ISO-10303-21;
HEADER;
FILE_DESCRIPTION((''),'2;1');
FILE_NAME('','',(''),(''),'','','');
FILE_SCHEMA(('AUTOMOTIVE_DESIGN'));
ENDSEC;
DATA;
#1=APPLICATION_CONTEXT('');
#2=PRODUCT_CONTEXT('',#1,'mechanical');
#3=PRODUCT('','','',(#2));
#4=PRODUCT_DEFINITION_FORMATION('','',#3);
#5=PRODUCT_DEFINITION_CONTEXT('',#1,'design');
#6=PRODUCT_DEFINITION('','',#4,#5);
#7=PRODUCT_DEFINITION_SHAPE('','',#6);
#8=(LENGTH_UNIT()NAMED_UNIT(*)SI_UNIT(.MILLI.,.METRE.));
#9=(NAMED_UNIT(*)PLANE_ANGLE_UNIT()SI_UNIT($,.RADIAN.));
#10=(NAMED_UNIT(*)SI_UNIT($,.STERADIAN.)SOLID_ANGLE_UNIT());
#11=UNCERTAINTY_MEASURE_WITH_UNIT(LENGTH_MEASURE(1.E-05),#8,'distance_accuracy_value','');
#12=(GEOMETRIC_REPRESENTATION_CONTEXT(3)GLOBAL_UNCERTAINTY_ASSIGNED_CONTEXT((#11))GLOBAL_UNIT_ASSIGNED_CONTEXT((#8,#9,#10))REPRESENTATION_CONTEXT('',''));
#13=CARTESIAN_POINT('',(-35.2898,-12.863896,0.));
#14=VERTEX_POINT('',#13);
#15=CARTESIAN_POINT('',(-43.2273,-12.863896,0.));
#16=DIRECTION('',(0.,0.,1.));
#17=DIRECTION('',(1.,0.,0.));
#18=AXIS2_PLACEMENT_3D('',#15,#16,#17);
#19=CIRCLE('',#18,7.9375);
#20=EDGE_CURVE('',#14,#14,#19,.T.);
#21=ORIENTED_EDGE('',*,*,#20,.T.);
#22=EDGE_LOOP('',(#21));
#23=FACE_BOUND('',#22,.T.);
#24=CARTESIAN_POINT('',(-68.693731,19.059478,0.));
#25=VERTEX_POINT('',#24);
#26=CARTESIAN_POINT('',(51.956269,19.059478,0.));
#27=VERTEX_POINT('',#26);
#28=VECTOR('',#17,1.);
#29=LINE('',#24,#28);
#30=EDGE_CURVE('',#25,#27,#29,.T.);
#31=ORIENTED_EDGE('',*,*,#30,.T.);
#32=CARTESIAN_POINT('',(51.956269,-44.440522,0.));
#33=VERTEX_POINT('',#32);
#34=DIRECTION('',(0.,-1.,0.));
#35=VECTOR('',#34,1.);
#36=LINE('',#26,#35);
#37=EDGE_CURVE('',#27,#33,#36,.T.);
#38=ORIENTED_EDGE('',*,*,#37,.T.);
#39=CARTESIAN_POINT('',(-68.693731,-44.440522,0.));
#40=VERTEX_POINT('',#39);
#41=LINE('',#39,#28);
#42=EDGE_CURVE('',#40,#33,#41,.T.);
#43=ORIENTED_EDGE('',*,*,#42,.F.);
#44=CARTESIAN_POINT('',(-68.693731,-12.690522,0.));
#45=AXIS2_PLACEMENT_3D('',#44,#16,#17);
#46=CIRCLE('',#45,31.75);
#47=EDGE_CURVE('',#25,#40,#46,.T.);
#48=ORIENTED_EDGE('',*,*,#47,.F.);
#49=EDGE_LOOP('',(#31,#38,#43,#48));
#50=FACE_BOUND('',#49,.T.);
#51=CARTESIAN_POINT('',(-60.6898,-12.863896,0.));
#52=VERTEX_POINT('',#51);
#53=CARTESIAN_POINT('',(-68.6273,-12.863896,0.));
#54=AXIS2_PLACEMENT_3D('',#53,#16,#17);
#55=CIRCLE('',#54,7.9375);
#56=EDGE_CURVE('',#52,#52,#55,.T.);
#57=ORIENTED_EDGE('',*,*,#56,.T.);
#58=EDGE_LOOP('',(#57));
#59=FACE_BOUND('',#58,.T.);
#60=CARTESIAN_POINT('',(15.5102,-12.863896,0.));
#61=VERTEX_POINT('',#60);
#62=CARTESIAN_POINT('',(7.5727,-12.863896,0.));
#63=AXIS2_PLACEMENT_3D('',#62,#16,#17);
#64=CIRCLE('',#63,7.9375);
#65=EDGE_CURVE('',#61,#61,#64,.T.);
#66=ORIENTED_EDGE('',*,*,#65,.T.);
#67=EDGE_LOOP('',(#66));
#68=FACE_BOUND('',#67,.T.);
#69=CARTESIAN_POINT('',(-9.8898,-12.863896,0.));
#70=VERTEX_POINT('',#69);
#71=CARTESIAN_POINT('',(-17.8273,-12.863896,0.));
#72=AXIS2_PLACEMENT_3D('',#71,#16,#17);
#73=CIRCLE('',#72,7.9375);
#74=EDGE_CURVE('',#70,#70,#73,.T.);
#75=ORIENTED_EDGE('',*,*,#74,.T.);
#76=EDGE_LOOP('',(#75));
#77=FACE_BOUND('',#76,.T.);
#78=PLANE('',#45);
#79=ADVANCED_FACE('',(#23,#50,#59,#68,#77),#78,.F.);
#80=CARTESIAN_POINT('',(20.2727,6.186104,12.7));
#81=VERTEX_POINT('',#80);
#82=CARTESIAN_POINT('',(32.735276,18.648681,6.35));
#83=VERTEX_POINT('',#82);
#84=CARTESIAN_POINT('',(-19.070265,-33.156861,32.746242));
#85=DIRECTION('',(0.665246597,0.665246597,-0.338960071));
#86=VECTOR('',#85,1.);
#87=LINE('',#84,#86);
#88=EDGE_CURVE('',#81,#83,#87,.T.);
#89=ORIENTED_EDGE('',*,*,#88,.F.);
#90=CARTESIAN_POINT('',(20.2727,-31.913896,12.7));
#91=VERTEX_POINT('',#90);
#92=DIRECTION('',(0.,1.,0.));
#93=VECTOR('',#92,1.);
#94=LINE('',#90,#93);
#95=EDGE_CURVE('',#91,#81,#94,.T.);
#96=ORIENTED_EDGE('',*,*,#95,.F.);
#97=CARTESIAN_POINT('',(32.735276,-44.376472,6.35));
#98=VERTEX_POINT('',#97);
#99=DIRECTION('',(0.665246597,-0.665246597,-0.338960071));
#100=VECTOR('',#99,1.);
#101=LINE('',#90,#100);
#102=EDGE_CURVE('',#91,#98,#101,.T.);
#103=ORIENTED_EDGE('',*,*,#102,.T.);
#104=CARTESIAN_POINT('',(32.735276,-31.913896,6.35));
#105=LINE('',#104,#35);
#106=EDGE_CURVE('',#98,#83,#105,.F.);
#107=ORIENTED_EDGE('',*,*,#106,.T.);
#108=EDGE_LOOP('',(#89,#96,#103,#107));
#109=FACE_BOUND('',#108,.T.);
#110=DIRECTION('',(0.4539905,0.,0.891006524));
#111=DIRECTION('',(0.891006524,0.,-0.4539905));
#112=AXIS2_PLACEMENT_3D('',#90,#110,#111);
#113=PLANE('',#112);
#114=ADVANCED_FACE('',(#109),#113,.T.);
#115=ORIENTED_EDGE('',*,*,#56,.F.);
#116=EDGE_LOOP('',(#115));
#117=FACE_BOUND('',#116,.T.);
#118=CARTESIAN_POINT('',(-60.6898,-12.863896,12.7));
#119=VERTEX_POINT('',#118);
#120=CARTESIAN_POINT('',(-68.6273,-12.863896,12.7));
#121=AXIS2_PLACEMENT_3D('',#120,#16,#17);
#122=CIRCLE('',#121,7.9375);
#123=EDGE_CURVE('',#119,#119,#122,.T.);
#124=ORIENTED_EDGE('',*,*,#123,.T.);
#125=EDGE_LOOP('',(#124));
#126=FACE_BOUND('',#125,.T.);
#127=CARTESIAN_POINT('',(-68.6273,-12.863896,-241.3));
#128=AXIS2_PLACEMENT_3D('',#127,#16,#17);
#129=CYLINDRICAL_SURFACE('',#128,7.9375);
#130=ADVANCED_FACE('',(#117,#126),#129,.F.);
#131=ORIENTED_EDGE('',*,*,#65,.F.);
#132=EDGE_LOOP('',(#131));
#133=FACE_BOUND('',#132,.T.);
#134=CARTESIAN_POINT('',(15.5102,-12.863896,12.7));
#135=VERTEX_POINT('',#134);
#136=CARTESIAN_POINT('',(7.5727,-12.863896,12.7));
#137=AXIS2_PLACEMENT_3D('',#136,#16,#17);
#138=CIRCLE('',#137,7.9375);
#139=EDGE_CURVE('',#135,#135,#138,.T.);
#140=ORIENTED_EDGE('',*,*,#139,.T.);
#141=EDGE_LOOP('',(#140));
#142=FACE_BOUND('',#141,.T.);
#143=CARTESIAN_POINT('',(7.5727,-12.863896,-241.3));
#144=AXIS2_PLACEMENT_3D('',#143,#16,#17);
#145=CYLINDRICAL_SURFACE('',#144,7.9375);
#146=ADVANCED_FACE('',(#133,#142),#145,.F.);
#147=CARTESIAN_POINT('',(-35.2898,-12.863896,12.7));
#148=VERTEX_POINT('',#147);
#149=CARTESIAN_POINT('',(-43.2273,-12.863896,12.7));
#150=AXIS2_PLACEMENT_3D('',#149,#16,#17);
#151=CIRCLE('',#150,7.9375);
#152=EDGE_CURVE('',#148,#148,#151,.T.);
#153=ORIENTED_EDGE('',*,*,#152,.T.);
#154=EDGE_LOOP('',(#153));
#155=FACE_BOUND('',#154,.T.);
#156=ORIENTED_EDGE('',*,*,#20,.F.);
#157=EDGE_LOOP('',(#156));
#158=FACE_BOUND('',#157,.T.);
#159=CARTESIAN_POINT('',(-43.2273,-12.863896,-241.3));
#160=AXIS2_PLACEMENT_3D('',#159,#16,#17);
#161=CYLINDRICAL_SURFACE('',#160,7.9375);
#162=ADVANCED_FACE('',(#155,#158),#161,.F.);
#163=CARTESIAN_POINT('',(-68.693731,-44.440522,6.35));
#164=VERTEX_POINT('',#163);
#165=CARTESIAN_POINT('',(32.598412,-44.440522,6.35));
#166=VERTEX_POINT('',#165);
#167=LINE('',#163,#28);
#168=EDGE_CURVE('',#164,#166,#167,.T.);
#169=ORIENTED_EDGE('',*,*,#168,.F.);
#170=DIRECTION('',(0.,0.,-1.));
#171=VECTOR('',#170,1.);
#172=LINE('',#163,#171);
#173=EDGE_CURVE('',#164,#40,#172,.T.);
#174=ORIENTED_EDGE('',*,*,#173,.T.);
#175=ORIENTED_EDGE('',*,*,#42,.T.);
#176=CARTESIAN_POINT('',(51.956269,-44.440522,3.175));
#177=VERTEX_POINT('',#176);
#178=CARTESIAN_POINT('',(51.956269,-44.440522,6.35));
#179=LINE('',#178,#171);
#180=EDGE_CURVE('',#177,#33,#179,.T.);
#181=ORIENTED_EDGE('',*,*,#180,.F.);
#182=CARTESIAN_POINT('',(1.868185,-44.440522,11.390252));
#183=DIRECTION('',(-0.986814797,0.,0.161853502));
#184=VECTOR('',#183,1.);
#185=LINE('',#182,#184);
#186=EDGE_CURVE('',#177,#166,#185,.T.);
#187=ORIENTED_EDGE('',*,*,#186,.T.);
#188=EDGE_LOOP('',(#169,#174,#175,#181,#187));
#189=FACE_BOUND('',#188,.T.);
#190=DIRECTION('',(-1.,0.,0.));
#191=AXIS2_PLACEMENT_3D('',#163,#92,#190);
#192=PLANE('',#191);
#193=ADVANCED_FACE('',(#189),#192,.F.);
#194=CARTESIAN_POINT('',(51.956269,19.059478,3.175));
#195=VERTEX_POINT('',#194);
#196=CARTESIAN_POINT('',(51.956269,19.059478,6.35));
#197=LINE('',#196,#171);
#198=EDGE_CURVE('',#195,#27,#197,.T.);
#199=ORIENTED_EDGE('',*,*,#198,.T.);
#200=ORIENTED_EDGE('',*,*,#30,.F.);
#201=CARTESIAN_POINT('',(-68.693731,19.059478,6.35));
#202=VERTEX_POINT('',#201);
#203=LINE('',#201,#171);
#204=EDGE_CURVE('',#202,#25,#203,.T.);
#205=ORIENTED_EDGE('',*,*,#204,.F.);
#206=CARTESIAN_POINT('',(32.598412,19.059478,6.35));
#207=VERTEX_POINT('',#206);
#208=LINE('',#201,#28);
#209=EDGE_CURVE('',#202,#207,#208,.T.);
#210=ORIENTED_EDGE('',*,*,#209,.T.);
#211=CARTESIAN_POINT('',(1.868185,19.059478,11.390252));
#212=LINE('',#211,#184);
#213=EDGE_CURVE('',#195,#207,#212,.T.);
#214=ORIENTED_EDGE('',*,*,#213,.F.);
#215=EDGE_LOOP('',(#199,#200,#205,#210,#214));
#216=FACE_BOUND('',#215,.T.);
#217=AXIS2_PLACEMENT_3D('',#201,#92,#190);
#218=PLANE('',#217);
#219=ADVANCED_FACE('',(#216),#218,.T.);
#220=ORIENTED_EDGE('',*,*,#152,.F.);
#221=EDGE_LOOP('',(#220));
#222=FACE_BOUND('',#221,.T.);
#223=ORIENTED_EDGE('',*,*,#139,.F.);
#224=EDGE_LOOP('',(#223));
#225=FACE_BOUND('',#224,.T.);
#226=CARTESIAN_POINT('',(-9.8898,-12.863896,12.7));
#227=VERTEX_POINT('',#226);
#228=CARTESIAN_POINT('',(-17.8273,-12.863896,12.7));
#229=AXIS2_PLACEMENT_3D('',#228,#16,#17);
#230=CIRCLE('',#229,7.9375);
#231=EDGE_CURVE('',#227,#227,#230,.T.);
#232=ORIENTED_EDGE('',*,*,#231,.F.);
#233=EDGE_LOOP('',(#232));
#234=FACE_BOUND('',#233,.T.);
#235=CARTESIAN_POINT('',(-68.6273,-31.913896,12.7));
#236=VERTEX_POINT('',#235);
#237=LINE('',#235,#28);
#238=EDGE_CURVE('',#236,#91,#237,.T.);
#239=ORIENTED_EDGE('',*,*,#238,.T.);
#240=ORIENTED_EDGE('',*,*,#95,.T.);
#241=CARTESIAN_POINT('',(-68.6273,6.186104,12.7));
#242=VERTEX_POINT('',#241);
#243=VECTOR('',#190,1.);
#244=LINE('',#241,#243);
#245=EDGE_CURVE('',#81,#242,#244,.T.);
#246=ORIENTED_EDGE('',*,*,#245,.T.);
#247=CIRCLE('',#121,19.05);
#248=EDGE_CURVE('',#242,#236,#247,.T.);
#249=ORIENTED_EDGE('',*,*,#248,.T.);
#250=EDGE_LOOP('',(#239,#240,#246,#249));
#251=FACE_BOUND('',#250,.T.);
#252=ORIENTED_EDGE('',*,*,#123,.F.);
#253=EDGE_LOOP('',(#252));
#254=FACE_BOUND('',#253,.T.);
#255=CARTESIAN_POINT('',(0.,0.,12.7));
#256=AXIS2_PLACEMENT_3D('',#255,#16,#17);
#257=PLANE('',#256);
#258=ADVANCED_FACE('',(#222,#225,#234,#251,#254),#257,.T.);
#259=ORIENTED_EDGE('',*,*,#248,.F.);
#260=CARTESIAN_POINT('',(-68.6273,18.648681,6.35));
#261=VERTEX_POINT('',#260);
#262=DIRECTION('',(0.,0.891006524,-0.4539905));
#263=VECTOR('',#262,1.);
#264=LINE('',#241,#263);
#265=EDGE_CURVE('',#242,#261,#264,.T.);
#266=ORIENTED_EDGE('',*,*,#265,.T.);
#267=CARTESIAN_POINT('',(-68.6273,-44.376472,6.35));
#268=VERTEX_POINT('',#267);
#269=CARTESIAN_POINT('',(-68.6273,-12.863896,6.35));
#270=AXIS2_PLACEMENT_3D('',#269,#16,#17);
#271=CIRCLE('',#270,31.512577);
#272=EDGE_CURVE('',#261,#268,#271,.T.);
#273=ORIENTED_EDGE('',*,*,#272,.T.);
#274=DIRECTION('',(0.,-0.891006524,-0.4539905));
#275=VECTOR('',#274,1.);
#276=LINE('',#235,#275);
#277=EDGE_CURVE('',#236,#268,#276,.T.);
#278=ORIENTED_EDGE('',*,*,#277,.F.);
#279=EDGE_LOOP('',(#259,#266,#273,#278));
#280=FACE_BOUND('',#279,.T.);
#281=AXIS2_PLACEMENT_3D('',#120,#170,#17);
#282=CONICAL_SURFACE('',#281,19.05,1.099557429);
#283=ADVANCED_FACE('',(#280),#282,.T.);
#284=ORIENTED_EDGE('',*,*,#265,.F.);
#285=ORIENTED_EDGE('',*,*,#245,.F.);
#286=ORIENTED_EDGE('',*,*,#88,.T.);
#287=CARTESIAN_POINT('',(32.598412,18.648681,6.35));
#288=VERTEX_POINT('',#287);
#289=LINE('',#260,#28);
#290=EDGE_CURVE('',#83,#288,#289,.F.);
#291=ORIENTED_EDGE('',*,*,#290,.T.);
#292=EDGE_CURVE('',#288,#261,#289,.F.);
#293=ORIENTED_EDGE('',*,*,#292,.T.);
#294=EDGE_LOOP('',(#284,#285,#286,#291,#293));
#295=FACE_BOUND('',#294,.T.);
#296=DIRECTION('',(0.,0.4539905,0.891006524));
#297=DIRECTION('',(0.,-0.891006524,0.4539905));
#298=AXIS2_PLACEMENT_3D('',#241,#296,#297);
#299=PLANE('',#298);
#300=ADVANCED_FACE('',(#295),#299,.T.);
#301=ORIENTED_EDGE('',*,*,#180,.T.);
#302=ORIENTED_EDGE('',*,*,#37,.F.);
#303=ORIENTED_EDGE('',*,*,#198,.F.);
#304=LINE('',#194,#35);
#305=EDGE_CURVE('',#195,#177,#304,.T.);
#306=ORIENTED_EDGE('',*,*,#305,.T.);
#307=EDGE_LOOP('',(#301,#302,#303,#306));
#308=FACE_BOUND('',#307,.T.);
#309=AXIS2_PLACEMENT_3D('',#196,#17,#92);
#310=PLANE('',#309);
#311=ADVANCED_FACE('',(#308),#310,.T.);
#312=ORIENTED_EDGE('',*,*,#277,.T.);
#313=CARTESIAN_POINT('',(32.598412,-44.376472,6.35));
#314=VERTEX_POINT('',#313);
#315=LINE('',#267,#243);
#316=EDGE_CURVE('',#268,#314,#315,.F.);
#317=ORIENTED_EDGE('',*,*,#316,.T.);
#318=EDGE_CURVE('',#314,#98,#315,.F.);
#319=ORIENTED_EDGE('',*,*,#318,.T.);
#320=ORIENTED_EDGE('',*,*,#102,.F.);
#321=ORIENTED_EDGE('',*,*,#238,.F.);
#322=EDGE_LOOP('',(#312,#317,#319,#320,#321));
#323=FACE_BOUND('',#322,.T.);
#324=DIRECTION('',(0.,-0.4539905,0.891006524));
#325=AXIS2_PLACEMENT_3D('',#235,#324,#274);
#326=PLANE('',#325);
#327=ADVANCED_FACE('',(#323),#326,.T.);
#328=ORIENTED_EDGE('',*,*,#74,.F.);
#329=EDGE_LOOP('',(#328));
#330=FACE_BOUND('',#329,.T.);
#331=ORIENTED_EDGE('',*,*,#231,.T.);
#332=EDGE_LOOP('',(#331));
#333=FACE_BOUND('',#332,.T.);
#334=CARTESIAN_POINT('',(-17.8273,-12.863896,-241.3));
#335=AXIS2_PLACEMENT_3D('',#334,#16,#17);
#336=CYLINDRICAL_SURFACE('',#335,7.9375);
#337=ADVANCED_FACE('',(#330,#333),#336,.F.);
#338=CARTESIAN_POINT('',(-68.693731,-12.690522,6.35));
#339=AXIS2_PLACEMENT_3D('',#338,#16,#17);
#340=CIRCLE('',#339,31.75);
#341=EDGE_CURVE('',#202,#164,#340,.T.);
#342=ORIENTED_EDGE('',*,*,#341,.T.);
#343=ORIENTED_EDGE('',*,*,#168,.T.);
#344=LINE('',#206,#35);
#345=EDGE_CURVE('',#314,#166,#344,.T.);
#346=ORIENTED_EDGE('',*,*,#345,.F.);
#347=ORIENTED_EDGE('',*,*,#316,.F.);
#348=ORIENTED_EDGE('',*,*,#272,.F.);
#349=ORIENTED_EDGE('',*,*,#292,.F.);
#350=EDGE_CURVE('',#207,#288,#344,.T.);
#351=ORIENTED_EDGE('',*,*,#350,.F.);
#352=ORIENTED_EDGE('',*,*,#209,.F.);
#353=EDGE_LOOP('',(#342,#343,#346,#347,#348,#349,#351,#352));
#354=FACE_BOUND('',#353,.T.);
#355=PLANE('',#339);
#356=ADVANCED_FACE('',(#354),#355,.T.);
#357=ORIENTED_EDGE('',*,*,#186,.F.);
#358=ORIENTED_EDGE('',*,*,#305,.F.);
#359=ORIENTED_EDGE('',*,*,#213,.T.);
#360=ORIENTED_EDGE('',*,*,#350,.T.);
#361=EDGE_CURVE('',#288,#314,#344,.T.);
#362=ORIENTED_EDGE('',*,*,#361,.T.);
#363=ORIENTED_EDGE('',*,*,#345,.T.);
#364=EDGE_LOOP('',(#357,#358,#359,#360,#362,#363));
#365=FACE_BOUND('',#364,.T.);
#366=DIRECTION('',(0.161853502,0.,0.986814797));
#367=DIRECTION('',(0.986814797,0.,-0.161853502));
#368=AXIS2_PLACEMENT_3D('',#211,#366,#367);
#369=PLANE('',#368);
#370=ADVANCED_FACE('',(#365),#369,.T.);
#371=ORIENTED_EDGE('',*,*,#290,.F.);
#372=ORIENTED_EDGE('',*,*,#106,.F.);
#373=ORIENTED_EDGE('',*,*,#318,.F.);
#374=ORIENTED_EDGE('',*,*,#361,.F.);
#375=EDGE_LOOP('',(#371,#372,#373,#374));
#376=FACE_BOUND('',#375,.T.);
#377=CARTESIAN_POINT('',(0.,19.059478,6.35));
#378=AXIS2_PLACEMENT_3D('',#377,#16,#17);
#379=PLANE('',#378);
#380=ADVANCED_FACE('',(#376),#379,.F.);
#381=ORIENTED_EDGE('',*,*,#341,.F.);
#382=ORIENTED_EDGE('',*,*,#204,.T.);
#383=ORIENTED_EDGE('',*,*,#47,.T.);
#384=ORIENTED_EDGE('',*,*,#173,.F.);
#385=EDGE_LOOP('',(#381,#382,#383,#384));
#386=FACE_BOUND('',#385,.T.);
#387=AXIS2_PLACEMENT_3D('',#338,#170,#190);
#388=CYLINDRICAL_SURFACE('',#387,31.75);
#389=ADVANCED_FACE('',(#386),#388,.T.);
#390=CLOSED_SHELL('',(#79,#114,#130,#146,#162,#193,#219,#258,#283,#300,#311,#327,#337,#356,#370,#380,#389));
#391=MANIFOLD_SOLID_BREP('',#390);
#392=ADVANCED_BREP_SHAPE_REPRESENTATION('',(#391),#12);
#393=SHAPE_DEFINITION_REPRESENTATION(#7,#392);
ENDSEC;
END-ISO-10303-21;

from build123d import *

# Parameters (mm, degrees)
BOSS_EXTRUDE1_DEPTH = 6.35
BOSS_EXTRUDE2_DEPTH = 6.35
BOSS_EXTRUDE2_DRAFT = 63
CUT_EXTRUDE1_DEPTH  = 63.5
SKETCH4_R           = 7.9375
CUT_EXTRUDE2_DEPTH  = 254


with BuildPart() as part:
    # Sketch1 → Boss-Extrude1 (new body)
    with BuildSketch(Plane.XY):
        with BuildLine():
            Line((-68.693731343, 19.059477612), (51.956268657, 19.059477612))
            Line((51.956268657, 19.059477612), (51.956268657, -44.440522388))
            Line((51.956268657, -44.440522388), (-68.693731343, -44.440522388))
            ThreePointArc((-68.693731343, -44.440522388), (-100.443731343, -12.690522388), (-68.693731343, 19.059477612))
        make_face()
    extrude(amount=BOSS_EXTRUDE1_DEPTH)


with BuildPart() as boss_extrude2_tool:
    # 3DSketch1 → Boss-Extrude2 (with draft: the straight prism first)
    with BuildSketch(Plane(origin=(-68.627300229, -31.913895704, 12.7), x_dir=(0.9191450300180579, 0.39391929857916763, 0), z_dir=(0, 0, 1))):
        with BuildLine():
            Line((0, 0), (81.711993169, -35.019425644))
            Line((81.711993169, -35.019425644), (96.720318444, 0))
            Line((96.720318444, 0), (15.008325276, 35.019425644))
            ThreePointArc((15.008325276, 35.019425644), (-10.005550184, 25.01387546), (0, 0))
        make_face()
    extrude(amount=-BOSS_EXTRUDE2_DEPTH)
    # Boss-Extrude2: the draft: its side faces are tilted about the plane it starts from
    boss_extrude2_sides = [boss_extrude2_tool.faces().sort_by_distance(p)[0] for p in [
        (-87.677300229, -12.863895704, 9.525),
        (-24.177300229, -31.913895704, 9.525),
        (20.272699771, -12.863895704, 9.525),
        (-24.177300229, 6.186104296, 9.525),
    ]]
    draft(boss_extrude2_sides, Plane(origin=(-68.627300229, -31.913895704, 12.7), x_dir=(0.9191450300180579, 0.39391929857916763, 0), z_dir=(0, 0, 1)), BOSS_EXTRUDE2_DRAFT)


with BuildPart() as part_1:
    add(part.part)

    # Boss-Extrude2: add boss_extrude2_tool
    add(boss_extrude2_tool.part)

    # Sketch3 → Cut-Extrude1 (cut)
    with BuildSketch(Plane.XZ.offset(44.440522388)):
        Polygon((32.598411505, 6.35), (51.956268657, 3.175), (51.956268657, 6.35), align=None)
    extrude(amount=-CUT_EXTRUDE1_DEPTH, mode=Mode.SUBTRACT)

    # Sketch4 → Cut-Extrude2 (cut)
    with BuildSketch(Plane.XY.offset(12.7)):
        with Locations((-68.627300229, -12.863895704)):
            Circle(SKETCH4_R)
        with Locations((-43.227300229, -12.863895704)):
            Circle(SKETCH4_R)
        with Locations((-17.827300229, -12.863895704)):
            Circle(SKETCH4_R)
        with Locations((7.572699771, -12.863895704)):
            Circle(SKETCH4_R)
    extrude(amount=-CUT_EXTRUDE2_DEPTH, mode=Mode.SUBTRACT)


solid = part_1.part
